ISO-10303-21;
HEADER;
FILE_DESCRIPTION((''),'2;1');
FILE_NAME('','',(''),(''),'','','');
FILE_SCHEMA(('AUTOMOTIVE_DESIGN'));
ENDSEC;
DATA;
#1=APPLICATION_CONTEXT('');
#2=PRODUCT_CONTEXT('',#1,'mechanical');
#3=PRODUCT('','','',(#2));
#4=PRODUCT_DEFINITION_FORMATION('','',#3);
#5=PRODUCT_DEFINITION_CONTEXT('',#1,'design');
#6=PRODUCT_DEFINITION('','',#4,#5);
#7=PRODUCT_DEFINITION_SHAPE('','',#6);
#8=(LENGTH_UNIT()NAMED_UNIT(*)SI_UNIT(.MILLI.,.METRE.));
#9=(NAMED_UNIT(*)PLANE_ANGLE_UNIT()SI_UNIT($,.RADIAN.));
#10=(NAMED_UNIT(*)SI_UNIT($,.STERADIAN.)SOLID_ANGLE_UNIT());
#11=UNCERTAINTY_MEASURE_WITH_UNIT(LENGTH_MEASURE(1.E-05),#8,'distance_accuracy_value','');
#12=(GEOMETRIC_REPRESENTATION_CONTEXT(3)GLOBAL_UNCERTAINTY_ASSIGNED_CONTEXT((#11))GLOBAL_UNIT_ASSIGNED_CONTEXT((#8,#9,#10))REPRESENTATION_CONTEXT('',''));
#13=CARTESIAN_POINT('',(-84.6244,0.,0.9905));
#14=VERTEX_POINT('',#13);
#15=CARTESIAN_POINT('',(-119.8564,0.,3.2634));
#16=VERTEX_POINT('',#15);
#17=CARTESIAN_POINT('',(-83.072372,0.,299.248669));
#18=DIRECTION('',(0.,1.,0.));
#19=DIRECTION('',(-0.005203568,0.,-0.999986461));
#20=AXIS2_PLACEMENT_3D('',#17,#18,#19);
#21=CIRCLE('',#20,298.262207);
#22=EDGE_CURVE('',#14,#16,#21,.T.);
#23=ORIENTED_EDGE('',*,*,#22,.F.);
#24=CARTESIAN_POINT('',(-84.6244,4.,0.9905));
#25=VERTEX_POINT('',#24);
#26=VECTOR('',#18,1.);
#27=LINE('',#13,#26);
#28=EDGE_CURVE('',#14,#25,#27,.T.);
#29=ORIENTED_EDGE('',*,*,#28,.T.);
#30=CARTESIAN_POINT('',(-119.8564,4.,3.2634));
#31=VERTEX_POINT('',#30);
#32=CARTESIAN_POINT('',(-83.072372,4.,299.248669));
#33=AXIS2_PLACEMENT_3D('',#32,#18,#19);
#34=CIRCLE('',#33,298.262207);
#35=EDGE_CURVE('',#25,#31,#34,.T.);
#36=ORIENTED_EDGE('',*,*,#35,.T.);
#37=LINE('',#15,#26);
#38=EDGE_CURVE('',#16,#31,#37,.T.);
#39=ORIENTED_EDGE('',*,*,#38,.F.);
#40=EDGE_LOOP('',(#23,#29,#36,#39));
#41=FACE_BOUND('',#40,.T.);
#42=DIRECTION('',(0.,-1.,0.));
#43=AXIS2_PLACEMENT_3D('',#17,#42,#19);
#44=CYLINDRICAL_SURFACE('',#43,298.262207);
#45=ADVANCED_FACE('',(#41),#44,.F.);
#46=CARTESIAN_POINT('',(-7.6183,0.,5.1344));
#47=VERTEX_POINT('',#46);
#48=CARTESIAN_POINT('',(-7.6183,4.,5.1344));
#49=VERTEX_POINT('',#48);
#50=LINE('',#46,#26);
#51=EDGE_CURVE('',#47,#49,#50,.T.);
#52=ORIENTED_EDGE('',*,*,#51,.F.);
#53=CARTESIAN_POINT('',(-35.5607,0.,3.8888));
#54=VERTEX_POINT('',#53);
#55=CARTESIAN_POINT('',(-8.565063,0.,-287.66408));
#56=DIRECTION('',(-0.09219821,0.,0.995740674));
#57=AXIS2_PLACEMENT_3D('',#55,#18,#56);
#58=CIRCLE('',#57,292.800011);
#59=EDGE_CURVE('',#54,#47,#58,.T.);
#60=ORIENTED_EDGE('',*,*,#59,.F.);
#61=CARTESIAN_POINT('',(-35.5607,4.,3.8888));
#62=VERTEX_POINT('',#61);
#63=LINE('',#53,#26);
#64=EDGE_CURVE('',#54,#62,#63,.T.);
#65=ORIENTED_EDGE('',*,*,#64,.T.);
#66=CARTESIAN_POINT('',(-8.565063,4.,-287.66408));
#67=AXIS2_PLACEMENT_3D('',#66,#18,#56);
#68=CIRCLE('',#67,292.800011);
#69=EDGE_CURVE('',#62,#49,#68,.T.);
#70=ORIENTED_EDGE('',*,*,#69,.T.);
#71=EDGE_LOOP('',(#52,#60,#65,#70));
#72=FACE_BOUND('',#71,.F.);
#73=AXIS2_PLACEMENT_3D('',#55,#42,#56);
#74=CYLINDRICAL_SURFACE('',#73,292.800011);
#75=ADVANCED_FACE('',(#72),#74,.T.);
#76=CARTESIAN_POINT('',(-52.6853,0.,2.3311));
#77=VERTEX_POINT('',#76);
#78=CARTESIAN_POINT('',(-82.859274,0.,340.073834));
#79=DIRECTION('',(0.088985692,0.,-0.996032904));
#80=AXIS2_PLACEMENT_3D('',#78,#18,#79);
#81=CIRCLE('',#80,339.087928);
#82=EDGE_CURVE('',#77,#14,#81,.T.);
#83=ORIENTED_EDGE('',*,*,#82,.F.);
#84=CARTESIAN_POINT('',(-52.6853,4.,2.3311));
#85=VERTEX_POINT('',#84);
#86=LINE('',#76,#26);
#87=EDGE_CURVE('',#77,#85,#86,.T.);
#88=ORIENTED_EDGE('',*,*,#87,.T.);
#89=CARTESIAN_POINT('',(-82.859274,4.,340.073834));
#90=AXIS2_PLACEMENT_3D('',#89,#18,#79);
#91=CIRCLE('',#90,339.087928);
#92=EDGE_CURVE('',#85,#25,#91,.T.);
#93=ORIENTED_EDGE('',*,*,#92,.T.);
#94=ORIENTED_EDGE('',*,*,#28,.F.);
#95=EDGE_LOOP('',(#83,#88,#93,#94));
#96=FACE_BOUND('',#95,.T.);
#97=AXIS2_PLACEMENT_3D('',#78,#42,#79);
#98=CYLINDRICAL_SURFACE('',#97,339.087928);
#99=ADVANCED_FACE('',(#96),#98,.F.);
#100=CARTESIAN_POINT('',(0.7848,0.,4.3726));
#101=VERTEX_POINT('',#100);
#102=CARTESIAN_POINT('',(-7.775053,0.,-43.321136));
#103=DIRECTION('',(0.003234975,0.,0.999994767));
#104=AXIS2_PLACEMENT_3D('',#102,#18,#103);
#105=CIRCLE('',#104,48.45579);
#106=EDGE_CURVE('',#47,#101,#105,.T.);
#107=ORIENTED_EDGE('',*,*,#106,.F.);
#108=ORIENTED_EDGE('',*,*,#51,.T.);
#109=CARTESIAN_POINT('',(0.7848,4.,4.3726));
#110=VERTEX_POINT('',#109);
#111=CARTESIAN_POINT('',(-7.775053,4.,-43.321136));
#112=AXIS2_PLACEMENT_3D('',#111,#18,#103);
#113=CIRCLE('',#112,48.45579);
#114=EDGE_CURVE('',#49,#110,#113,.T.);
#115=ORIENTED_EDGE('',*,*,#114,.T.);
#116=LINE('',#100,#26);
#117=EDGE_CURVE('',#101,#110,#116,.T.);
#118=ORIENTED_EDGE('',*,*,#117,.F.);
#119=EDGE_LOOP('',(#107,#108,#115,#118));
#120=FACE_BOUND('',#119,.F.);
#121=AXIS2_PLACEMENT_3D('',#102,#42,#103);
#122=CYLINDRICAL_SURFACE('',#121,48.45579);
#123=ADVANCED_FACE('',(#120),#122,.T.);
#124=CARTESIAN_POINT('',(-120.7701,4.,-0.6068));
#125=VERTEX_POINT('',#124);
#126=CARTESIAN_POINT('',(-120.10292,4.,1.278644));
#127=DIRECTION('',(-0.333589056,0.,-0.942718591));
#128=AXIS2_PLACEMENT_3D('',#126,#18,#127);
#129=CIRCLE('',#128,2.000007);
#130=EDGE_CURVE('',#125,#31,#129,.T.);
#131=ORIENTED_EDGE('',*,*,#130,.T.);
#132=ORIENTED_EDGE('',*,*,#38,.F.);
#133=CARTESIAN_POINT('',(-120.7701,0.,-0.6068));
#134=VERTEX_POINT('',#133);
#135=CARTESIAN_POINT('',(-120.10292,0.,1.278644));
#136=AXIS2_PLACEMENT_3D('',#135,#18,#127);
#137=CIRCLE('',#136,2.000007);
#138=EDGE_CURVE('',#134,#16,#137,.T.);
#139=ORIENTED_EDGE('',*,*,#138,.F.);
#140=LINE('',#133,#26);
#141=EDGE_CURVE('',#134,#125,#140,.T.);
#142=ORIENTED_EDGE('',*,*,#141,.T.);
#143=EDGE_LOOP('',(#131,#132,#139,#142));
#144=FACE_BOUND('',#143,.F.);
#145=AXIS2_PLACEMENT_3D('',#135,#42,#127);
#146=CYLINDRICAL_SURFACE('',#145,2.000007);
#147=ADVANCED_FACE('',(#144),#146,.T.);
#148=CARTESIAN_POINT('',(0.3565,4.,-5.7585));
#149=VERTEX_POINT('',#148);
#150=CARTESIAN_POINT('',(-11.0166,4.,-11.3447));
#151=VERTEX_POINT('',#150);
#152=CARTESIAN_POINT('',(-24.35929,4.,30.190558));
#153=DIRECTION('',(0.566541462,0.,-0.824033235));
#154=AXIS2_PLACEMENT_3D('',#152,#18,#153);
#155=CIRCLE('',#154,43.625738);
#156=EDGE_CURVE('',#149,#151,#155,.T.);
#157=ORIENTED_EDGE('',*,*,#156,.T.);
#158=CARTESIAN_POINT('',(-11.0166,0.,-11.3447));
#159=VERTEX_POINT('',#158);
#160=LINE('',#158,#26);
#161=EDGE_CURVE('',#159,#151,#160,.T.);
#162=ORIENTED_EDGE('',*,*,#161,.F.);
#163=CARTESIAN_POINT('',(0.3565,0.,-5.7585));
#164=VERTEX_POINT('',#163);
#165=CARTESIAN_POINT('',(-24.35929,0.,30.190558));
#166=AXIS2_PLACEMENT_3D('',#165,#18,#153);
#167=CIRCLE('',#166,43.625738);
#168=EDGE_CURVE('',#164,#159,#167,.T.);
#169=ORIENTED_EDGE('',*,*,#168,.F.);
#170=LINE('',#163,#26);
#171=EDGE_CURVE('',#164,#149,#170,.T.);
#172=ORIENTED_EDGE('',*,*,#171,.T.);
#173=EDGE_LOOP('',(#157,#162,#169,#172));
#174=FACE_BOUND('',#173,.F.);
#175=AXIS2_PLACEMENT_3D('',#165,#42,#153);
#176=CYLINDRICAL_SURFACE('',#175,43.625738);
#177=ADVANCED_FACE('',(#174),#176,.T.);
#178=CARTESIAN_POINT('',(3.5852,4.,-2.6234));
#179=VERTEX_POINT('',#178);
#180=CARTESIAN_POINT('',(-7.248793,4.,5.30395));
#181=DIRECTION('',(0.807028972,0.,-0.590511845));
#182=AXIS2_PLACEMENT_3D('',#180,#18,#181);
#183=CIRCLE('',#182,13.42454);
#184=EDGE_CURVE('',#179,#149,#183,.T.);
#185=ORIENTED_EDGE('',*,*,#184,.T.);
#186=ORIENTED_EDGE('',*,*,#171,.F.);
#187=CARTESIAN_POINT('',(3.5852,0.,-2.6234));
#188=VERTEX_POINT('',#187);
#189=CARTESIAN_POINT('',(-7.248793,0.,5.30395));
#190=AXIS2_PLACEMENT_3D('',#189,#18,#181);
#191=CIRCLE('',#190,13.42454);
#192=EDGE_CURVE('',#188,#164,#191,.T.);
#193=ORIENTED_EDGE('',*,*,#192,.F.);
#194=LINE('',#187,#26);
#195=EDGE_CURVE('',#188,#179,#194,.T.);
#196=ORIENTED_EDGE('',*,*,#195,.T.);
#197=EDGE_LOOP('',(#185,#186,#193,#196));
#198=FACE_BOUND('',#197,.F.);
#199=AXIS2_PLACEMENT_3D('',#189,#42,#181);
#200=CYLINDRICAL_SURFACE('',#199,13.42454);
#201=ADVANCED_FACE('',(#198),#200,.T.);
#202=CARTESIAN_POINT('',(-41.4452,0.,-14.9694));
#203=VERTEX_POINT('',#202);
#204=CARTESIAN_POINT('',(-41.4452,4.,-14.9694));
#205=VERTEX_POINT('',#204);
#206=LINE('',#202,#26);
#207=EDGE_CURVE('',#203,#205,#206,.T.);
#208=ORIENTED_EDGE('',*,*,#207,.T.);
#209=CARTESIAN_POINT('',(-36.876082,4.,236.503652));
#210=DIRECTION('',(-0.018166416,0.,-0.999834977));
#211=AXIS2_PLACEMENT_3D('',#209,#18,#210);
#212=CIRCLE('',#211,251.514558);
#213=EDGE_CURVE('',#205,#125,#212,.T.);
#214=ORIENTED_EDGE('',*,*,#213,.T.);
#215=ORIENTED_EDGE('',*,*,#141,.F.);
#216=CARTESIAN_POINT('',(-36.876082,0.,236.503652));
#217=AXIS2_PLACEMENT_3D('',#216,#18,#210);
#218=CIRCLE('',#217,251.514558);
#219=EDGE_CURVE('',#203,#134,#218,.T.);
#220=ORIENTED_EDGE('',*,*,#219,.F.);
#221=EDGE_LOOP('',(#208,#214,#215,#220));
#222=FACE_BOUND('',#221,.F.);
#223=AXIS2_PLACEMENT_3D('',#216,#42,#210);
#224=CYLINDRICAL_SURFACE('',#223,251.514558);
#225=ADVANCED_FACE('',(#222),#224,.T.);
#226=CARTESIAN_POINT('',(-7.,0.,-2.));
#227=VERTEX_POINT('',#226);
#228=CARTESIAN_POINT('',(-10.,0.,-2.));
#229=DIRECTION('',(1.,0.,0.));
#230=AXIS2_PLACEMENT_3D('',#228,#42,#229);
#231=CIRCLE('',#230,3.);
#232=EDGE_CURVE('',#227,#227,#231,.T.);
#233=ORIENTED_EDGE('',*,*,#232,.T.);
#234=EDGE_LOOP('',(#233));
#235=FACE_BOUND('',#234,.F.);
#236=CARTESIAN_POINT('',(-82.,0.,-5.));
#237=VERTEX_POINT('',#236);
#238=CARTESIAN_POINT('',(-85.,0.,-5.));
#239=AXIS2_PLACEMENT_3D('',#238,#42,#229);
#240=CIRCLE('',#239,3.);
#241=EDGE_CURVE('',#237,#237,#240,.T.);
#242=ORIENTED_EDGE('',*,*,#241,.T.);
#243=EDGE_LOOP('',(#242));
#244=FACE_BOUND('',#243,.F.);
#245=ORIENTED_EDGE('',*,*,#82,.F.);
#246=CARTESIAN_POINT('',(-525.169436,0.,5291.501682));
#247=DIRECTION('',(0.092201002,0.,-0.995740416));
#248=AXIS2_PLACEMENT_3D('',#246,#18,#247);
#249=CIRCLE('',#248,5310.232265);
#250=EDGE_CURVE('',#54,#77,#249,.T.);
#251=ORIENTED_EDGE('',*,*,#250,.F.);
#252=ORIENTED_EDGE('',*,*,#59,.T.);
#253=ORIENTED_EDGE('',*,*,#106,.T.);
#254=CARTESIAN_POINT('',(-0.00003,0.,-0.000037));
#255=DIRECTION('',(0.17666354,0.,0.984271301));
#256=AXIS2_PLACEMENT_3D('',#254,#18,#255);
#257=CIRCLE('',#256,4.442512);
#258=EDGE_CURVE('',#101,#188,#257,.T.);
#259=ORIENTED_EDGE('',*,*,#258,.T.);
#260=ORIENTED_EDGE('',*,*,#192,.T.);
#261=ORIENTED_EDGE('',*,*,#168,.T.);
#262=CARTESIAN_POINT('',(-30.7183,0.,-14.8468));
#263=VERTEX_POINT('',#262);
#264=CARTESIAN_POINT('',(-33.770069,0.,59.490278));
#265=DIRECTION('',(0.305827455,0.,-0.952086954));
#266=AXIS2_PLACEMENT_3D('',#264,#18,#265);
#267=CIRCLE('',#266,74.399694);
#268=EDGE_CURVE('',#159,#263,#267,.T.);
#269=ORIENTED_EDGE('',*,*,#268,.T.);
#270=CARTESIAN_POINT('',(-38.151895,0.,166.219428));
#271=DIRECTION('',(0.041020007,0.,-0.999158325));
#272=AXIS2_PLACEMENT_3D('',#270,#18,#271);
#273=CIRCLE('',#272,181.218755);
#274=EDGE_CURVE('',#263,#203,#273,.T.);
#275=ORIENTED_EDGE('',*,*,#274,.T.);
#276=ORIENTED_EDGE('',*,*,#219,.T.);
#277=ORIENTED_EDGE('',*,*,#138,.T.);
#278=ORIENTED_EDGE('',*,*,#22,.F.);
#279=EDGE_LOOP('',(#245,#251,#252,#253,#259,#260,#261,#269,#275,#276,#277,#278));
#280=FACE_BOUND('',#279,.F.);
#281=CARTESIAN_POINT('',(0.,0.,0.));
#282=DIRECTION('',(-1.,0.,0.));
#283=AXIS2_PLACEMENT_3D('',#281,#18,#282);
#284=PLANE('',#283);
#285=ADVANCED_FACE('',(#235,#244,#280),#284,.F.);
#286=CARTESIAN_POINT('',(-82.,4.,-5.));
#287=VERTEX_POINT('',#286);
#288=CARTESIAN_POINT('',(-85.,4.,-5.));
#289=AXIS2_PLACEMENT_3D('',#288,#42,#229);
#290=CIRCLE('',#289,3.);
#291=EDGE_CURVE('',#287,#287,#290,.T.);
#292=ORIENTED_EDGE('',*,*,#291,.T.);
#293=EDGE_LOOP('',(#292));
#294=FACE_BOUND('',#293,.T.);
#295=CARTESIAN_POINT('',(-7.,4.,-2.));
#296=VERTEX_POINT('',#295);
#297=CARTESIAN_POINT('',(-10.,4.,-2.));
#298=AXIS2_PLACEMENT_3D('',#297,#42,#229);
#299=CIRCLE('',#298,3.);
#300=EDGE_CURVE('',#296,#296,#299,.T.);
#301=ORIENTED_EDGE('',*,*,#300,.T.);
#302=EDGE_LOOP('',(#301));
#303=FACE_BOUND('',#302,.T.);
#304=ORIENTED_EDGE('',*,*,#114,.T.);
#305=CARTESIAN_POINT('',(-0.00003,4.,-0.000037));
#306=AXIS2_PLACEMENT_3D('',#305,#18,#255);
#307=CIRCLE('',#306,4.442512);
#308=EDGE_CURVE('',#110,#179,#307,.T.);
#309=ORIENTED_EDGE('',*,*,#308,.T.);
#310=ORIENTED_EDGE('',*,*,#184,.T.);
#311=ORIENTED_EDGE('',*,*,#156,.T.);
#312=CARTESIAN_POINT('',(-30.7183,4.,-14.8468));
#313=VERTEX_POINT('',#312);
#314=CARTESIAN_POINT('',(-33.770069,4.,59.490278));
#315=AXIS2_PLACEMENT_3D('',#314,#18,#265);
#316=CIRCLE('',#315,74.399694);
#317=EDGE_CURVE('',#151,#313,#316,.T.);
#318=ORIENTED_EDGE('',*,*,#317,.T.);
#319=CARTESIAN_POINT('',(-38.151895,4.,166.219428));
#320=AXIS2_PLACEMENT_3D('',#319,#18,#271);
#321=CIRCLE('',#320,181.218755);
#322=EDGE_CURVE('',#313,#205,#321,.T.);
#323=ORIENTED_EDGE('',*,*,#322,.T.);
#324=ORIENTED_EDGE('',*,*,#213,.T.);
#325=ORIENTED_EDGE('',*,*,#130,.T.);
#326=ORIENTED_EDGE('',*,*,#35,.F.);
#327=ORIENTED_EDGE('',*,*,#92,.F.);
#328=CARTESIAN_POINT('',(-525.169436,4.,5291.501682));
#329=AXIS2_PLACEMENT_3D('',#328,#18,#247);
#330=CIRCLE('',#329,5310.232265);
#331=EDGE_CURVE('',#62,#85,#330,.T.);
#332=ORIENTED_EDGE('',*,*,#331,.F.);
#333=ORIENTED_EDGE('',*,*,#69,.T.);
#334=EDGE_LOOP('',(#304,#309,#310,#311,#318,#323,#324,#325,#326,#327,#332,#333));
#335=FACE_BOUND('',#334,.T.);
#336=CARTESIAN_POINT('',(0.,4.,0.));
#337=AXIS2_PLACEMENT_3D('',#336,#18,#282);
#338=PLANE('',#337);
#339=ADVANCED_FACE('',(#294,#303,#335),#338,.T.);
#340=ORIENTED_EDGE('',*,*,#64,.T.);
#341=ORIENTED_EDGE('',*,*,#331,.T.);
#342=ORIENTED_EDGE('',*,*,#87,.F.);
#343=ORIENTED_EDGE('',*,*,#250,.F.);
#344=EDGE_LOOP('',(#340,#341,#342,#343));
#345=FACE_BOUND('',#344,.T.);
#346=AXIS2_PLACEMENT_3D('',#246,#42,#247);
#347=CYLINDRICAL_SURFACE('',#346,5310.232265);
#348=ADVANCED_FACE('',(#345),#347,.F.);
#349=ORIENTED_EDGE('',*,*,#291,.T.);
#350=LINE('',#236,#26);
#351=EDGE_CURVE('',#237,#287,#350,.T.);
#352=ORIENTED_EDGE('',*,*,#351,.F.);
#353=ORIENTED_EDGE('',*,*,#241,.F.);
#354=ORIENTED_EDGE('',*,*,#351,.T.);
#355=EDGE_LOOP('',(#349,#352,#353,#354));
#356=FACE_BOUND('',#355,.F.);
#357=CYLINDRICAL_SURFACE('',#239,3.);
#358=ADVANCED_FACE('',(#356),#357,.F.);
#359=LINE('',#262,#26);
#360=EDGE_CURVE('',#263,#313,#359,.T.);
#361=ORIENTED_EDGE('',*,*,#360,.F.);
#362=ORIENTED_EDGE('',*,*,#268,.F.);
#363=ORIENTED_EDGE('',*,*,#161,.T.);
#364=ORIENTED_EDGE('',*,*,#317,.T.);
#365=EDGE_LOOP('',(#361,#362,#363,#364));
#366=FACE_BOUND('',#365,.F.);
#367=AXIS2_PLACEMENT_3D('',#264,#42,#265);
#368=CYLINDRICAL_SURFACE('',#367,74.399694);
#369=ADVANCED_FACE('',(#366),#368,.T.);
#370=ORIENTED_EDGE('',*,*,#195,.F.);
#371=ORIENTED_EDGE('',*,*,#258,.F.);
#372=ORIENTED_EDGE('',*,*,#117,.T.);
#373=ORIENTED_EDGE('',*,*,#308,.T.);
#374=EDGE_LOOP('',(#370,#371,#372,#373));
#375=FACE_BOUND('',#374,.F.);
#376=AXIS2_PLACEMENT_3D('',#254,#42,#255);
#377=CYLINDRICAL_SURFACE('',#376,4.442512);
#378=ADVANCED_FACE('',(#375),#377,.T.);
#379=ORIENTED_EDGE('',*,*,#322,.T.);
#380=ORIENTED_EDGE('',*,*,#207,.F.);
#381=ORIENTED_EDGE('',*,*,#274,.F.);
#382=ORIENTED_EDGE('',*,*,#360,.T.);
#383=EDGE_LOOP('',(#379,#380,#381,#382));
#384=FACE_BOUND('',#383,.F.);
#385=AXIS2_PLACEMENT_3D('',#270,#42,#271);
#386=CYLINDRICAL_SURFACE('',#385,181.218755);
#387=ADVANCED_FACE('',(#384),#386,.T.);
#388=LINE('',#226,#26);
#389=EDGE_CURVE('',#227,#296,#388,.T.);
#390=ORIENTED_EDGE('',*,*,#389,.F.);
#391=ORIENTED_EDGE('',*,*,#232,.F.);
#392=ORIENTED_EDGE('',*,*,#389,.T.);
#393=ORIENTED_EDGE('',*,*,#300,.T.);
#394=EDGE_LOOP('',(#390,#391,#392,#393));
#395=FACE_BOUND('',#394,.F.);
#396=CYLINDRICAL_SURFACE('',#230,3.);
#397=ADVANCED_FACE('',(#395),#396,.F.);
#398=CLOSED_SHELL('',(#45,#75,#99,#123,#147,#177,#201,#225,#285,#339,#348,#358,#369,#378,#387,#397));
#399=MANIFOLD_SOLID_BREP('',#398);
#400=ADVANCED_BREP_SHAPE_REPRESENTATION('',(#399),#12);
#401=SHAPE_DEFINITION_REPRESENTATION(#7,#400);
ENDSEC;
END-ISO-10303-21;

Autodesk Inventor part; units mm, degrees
ref_plane "YZ Plane" through (0, 0, 0) normal (1, 0, 0) x (0, 1, 0)
ref_plane "XZ Plane" through (0, 0, 0) normal (0, 1, 0) x (-1, 0, 0)
ref_plane "XY Plane" through (0, 0, 0) normal (0, 0, 1) x (1, 0, 0)
sketch "スケッチ1" plane through (0, 0, 0) normal (0, 1, 0) x (-1, 0, 0)
  arc A0 (120.7701, -0.6068) -> (119.8564, 3.2634) centre (120.103, 1.2786) ccw projected
  arc A1 (41.4452, -14.9694) -> (120.7701, -0.6068) centre (36.8758, 236.5065) ccw projected
  arc A2 (30.7183, -14.8468) -> (41.4452, -14.9694) centre (38.1525, 166.2425) ccw projected
  arc A3 (11.0166, -11.3447) -> (30.7183, -14.8468) centre (33.77, 59.49) ccw projected
  arc A4 (-0.3565, -5.7585) -> (11.0166, -11.3447) centre (24.3575, 30.1875) ccw projected
  arc A5 (-3.5852, -2.6234) -> (-0.3565, -5.7585) centre (7.25, 5.305) ccw projected
  arc A6 (-0.7848, 4.3726) -> (-3.5852, -2.6234) centre (0, 0) ccw projected
  arc A7 (7.6183, 5.1344) -> (-0.7848, 4.3726) centre (7.775, -43.32) ccw projected
  arc A8 (35.5607, 3.8888) -> (7.6183, 5.1344) centre (8.565, -287.665) ccw projected
  arc A9 (35.5607, 3.8888) -> (52.6853, 2.3311) centre (526.9475, 5310.875) ccw projected
  arc A10 (52.6853, 2.3311) -> (84.6244, 0.9905) centre (82.86, 340.0849) ccw projected
  arc A11 (84.6244, 0.9905) -> (119.8564, 3.2634) centre (83.0725, 299.245) ccw projected
extrude "押し出し1" add sketch "スケッチ1" along normal blind 4
sketch "スケッチ2" plane through (0, 0, 0) normal (0, -1, 0) x (1, 0, 0)
  circle A0 centre (-10, -2) radius 3
  circle A1 centre (-85, -5) radius 3
  point P0 (0, 0)
  dimension "d3" = 6
  dimension "d4" = 6
  dimension "d5" = 10
  dimension "d6" = 2
  dimension "d7" = 5
  dimension "d8" = 85
extrude "押し出し2" cut sketch "スケッチ2" against normal through all
equation "\"d4\" = d3"
properties part number "plate_sf2" material "木材 (オーク)"
